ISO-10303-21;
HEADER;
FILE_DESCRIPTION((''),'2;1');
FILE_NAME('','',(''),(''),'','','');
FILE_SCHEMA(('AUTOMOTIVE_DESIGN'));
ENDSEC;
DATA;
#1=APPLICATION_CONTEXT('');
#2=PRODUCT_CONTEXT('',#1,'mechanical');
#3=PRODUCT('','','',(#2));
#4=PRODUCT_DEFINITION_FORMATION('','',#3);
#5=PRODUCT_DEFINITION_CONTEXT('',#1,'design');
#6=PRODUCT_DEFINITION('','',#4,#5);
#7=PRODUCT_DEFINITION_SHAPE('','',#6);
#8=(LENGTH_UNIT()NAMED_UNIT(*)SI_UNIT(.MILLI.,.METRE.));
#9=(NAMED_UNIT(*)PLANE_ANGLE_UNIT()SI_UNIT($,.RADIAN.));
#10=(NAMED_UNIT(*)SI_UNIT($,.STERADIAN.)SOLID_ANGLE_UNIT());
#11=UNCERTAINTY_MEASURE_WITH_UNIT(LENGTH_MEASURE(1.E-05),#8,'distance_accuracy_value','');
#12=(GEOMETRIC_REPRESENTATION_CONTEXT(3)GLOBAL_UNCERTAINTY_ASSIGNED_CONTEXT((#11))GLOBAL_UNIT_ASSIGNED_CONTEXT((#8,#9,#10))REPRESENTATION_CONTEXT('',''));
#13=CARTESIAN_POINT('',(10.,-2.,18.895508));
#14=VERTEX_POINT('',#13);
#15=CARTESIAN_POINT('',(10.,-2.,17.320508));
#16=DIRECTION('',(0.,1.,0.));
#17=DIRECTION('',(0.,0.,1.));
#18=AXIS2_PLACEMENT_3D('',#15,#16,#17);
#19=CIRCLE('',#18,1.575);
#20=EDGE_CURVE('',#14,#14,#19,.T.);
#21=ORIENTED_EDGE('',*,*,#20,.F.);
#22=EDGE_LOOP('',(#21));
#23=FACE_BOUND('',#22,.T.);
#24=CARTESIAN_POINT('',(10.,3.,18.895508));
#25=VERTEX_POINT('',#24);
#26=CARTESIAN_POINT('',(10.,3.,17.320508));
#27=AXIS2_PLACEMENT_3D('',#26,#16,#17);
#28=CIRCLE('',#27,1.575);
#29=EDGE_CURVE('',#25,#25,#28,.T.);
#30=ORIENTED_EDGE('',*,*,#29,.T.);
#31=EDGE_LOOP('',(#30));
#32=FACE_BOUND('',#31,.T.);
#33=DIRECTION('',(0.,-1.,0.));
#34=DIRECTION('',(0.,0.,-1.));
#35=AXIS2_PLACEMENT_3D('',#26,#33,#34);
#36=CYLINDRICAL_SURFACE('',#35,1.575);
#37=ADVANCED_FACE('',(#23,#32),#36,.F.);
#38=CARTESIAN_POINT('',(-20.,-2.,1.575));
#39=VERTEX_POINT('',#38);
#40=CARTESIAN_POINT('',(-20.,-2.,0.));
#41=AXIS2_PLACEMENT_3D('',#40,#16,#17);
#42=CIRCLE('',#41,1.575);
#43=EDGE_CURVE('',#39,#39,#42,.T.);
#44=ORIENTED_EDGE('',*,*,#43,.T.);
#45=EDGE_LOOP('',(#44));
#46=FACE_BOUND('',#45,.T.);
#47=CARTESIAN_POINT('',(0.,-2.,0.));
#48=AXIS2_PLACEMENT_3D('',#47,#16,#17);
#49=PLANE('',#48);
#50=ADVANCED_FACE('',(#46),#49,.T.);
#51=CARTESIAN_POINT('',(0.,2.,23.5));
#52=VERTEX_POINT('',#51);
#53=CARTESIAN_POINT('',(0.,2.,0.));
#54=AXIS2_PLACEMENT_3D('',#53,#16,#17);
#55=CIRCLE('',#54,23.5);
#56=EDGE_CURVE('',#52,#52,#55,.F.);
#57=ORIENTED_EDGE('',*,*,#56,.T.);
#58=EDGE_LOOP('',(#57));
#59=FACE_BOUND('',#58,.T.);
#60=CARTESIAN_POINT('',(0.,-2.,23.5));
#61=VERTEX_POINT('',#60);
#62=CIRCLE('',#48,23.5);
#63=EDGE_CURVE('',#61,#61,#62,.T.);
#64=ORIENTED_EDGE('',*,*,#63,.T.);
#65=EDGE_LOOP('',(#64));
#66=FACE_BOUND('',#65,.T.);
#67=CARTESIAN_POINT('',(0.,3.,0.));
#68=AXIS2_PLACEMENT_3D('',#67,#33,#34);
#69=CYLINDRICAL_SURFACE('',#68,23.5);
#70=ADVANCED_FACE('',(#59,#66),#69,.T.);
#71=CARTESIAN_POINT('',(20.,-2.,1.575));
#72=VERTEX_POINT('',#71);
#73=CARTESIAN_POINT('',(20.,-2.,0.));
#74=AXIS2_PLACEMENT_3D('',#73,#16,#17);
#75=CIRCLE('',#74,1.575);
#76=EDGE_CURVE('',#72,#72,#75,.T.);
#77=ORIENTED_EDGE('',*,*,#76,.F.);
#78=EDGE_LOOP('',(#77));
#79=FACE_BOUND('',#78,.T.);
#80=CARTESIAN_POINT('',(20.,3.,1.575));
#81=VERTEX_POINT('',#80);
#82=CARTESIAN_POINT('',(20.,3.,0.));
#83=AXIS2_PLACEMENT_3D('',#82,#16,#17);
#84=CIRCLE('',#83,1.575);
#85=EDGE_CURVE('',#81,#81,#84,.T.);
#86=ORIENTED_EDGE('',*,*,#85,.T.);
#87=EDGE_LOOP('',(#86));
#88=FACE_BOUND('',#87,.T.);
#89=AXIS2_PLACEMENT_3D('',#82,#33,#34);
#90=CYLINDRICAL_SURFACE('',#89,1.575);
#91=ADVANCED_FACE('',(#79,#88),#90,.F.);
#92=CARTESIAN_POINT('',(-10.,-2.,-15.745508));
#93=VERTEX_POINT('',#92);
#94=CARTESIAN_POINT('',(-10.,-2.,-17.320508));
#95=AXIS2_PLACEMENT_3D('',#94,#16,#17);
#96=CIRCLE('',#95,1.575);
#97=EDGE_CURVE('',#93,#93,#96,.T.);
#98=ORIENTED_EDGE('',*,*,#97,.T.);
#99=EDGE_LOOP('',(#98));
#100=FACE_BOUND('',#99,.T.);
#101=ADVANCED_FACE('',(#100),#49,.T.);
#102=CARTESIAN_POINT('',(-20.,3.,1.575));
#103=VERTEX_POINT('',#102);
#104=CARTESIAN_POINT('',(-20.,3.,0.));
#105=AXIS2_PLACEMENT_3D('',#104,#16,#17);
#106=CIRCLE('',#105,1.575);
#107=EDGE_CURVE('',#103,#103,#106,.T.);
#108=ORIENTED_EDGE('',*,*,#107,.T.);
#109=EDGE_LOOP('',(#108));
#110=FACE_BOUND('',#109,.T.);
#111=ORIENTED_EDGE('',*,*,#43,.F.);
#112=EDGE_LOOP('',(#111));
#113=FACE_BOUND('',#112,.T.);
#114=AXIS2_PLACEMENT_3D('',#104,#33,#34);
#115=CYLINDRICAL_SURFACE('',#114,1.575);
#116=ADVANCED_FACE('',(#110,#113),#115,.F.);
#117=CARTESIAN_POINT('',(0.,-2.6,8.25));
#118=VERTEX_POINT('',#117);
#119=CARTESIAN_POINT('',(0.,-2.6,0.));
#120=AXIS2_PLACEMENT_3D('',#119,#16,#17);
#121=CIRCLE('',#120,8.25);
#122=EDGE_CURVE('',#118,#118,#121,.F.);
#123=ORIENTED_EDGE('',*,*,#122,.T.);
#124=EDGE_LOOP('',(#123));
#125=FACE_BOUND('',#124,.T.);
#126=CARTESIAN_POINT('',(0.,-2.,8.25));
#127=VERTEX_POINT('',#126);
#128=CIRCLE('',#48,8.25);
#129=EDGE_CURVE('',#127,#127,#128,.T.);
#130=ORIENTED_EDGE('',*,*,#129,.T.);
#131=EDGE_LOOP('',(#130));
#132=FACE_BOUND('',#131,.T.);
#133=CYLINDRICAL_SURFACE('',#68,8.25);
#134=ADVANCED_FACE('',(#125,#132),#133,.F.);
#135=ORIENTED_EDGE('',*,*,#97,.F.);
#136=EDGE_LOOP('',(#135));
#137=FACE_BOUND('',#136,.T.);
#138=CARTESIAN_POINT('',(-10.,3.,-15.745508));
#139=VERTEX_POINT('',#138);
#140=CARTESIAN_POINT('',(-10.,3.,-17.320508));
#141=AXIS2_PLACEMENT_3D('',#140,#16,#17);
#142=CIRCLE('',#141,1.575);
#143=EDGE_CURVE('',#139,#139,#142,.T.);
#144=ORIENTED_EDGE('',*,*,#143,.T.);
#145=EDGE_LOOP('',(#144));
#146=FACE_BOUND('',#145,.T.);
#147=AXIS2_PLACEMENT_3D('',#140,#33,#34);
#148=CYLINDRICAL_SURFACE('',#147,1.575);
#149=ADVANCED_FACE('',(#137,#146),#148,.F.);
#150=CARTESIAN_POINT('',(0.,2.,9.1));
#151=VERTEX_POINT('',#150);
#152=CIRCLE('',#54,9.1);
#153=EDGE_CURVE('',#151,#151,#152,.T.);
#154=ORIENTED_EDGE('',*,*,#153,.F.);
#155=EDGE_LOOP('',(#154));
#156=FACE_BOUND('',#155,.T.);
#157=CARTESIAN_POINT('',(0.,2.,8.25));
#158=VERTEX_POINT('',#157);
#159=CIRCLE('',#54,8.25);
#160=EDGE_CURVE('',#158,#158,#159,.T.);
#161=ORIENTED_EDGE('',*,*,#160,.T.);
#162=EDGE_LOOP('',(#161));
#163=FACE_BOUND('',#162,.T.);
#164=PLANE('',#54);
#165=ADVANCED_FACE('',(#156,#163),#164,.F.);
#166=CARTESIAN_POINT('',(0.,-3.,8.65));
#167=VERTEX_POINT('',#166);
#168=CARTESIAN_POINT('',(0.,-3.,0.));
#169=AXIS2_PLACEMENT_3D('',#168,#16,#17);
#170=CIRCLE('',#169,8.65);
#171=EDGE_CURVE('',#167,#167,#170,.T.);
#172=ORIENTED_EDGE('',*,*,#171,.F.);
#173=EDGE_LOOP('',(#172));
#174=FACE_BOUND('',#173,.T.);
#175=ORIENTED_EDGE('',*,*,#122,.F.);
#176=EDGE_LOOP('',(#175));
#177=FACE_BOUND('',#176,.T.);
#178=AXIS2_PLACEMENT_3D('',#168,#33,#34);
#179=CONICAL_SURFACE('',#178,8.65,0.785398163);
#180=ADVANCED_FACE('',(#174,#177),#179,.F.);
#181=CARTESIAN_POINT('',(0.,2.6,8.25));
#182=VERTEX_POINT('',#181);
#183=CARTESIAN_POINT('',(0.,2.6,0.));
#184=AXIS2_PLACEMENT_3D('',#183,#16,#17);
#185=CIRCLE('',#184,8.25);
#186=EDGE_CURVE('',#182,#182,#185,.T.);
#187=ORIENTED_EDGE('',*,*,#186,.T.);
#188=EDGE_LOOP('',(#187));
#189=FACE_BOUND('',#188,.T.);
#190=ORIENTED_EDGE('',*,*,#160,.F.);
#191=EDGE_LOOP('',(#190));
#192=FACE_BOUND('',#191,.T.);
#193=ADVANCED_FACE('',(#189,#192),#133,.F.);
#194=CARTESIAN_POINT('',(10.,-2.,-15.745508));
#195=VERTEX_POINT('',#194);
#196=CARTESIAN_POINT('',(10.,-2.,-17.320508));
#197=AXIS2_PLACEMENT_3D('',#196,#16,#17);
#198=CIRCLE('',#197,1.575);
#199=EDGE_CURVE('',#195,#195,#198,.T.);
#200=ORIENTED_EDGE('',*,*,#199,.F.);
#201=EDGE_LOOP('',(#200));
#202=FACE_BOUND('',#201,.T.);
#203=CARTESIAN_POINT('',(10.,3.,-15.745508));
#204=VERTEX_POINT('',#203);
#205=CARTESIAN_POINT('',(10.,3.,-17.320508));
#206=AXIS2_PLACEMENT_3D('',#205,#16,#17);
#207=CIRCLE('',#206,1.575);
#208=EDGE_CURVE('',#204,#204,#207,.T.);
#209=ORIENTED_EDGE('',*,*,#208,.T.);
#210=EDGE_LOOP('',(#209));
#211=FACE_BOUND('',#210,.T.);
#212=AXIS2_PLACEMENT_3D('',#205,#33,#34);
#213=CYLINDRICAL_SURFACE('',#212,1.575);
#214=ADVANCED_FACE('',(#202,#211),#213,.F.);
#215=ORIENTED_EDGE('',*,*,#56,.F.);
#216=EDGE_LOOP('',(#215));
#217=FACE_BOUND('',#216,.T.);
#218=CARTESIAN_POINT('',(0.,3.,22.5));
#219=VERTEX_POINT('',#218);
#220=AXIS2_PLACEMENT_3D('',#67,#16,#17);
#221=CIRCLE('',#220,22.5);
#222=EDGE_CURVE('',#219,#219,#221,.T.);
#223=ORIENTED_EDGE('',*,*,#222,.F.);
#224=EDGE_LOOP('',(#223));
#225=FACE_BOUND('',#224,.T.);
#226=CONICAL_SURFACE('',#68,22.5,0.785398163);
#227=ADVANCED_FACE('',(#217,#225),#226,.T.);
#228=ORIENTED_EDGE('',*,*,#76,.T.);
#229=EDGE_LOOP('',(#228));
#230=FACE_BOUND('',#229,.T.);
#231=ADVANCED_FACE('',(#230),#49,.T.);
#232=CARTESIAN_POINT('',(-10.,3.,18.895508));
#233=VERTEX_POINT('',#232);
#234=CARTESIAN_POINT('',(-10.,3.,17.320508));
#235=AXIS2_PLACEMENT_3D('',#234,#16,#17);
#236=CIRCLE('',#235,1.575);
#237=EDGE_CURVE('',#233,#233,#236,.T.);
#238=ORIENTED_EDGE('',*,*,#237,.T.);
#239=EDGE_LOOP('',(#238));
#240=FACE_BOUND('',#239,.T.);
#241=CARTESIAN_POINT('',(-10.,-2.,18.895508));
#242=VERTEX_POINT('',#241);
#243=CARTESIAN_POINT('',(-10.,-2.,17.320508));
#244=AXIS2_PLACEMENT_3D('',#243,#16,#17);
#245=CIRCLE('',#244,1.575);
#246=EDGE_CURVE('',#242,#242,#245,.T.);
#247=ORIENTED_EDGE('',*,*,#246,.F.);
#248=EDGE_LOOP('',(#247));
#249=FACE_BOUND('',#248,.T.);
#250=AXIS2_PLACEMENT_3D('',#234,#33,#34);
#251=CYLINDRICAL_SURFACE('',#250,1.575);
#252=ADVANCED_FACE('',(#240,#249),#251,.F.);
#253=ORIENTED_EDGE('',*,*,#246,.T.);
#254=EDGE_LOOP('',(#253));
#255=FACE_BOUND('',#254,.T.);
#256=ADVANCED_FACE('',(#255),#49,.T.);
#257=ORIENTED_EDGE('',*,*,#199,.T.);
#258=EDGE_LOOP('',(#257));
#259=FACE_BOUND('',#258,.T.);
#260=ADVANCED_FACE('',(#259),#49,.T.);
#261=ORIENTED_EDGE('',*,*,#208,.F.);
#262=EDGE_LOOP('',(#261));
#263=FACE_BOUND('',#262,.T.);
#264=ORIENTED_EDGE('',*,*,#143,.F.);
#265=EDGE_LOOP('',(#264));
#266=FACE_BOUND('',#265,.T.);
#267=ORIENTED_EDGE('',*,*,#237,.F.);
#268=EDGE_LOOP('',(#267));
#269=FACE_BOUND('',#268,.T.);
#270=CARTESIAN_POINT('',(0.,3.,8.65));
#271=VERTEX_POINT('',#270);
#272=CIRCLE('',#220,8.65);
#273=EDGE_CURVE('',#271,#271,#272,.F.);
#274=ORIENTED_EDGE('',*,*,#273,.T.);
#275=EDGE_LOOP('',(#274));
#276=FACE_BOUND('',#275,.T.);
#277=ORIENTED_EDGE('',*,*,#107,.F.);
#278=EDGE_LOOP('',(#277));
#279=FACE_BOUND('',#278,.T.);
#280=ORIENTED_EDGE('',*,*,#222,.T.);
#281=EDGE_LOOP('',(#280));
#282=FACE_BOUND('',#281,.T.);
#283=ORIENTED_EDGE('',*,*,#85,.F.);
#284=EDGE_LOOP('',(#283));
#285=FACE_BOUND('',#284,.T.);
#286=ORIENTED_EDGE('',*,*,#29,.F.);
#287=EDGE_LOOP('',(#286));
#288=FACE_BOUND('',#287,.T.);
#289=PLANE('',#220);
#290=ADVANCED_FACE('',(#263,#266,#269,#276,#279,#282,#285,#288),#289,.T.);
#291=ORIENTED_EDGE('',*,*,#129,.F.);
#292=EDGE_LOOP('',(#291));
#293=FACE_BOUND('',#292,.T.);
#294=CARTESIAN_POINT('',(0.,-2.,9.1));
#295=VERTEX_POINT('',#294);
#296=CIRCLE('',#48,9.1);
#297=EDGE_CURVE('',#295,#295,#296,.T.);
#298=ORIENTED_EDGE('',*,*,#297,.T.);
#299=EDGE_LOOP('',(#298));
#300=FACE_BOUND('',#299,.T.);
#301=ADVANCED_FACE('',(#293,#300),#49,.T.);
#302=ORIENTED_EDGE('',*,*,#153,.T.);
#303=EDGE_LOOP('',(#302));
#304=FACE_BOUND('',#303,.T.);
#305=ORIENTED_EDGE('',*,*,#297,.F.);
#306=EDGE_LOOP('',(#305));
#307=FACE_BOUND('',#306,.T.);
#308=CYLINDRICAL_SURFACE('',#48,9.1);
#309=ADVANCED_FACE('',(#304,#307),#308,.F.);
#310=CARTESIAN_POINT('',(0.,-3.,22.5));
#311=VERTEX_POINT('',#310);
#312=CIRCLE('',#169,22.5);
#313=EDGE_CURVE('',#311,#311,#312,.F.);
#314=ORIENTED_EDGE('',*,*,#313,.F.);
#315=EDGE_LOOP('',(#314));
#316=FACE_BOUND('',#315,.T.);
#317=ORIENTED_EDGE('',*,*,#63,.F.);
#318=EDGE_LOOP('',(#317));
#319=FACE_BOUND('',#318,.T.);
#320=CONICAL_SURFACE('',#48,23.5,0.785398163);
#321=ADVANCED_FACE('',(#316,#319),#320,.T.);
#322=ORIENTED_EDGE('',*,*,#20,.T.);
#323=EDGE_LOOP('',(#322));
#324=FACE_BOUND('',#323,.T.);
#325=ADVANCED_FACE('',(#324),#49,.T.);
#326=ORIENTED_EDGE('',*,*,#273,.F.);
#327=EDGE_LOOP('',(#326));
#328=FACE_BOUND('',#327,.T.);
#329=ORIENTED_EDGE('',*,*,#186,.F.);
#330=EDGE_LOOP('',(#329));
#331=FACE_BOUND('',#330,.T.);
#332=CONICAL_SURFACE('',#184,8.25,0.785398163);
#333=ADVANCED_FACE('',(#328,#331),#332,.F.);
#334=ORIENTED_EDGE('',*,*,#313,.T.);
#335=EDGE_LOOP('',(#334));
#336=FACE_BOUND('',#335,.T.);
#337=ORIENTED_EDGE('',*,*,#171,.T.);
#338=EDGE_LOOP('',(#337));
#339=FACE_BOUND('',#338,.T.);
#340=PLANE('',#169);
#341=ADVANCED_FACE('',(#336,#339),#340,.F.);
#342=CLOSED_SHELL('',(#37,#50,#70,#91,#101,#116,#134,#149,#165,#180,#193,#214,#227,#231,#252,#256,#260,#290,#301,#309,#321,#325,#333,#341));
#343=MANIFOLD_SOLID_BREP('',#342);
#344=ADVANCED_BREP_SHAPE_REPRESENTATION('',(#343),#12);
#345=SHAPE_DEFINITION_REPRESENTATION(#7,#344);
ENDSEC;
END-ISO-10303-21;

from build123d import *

# Parameters (mm, degrees)
SKETCH1_R           = 23.5
SKETCH1_R_2         = 1.575
SKETCH1_R_3         = 8.25
BOSS_EXTRUDE1_DEPTH = 3
SKETCH2_R           = 9.1
CUT_EXTRUDE1_DEPTH  = 2
SKETCH3_R           = 21.575
SKETCH3_R_2         = 18.425
BOSS_EXTRUDE2_DEPTH = 1
CHAMFER1_SIZE       = 1
CHAMFER2_SIZE       = 0.4


with BuildPart() as part:
    # Sketch1 → Boss-Extrude1 (new body, symmetric)
    with BuildSketch(Plane(origin=(0, 0, 0), x_dir=(1, 0, 0), z_dir=(0, 1, 0))):
        Circle(SKETCH1_R)
        with Locations((20, 0)):
            Circle(SKETCH1_R_2, mode=Mode.SUBTRACT)
        with Locations((10, -17.320508076)):
            Circle(SKETCH1_R_2, mode=Mode.SUBTRACT)
        with Locations((-10, -17.320508076)):
            Circle(SKETCH1_R_2, mode=Mode.SUBTRACT)
        with Locations((-20, 0)):
            Circle(SKETCH1_R_2, mode=Mode.SUBTRACT)
        with Locations((-10, 17.320508076)):
            Circle(SKETCH1_R_2, mode=Mode.SUBTRACT)
        with Locations((10, 17.320508076)):
            Circle(SKETCH1_R_2, mode=Mode.SUBTRACT)
        Circle(SKETCH1_R_3, mode=Mode.SUBTRACT)
    extrude(amount=BOSS_EXTRUDE1_DEPTH, both=True)

    # Sketch2 → Cut-Extrude1 (cut, symmetric)
    with BuildSketch(Plane(origin=(0, 0, 0), x_dir=(1, 0, 0), z_dir=(0, 1, 0))):
        Circle(SKETCH2_R)
    extrude(amount=CUT_EXTRUDE1_DEPTH, both=True, mode=Mode.SUBTRACT)

    # Sketch3 → Boss-Extrude2 (add)
    with BuildSketch(Plane(origin=(0, -3, 0), x_dir=(1, 0, 0), z_dir=(0, 1, 0))):
        Circle(SKETCH3_R)
        Circle(SKETCH3_R_2, mode=Mode.SUBTRACT)
    extrude(amount=BOSS_EXTRUDE2_DEPTH)

    # Chamfer1
    chamfer1_edges = [part.edges().sort_by_distance(p)[0] for p in [
        (-23.5, -3, 0),
        (-23.5, 3, 0),
    ]]
    chamfer(chamfer1_edges, length=CHAMFER1_SIZE)

    # Chamfer2
    chamfer2_edges = [part.edges().sort_by_distance(p)[0] for p in [
        (-8.25, -3, 0),
        (-8.25, 3, 0),
    ]]
    chamfer(chamfer2_edges, length=CHAMFER2_SIZE)


solid = part.part
